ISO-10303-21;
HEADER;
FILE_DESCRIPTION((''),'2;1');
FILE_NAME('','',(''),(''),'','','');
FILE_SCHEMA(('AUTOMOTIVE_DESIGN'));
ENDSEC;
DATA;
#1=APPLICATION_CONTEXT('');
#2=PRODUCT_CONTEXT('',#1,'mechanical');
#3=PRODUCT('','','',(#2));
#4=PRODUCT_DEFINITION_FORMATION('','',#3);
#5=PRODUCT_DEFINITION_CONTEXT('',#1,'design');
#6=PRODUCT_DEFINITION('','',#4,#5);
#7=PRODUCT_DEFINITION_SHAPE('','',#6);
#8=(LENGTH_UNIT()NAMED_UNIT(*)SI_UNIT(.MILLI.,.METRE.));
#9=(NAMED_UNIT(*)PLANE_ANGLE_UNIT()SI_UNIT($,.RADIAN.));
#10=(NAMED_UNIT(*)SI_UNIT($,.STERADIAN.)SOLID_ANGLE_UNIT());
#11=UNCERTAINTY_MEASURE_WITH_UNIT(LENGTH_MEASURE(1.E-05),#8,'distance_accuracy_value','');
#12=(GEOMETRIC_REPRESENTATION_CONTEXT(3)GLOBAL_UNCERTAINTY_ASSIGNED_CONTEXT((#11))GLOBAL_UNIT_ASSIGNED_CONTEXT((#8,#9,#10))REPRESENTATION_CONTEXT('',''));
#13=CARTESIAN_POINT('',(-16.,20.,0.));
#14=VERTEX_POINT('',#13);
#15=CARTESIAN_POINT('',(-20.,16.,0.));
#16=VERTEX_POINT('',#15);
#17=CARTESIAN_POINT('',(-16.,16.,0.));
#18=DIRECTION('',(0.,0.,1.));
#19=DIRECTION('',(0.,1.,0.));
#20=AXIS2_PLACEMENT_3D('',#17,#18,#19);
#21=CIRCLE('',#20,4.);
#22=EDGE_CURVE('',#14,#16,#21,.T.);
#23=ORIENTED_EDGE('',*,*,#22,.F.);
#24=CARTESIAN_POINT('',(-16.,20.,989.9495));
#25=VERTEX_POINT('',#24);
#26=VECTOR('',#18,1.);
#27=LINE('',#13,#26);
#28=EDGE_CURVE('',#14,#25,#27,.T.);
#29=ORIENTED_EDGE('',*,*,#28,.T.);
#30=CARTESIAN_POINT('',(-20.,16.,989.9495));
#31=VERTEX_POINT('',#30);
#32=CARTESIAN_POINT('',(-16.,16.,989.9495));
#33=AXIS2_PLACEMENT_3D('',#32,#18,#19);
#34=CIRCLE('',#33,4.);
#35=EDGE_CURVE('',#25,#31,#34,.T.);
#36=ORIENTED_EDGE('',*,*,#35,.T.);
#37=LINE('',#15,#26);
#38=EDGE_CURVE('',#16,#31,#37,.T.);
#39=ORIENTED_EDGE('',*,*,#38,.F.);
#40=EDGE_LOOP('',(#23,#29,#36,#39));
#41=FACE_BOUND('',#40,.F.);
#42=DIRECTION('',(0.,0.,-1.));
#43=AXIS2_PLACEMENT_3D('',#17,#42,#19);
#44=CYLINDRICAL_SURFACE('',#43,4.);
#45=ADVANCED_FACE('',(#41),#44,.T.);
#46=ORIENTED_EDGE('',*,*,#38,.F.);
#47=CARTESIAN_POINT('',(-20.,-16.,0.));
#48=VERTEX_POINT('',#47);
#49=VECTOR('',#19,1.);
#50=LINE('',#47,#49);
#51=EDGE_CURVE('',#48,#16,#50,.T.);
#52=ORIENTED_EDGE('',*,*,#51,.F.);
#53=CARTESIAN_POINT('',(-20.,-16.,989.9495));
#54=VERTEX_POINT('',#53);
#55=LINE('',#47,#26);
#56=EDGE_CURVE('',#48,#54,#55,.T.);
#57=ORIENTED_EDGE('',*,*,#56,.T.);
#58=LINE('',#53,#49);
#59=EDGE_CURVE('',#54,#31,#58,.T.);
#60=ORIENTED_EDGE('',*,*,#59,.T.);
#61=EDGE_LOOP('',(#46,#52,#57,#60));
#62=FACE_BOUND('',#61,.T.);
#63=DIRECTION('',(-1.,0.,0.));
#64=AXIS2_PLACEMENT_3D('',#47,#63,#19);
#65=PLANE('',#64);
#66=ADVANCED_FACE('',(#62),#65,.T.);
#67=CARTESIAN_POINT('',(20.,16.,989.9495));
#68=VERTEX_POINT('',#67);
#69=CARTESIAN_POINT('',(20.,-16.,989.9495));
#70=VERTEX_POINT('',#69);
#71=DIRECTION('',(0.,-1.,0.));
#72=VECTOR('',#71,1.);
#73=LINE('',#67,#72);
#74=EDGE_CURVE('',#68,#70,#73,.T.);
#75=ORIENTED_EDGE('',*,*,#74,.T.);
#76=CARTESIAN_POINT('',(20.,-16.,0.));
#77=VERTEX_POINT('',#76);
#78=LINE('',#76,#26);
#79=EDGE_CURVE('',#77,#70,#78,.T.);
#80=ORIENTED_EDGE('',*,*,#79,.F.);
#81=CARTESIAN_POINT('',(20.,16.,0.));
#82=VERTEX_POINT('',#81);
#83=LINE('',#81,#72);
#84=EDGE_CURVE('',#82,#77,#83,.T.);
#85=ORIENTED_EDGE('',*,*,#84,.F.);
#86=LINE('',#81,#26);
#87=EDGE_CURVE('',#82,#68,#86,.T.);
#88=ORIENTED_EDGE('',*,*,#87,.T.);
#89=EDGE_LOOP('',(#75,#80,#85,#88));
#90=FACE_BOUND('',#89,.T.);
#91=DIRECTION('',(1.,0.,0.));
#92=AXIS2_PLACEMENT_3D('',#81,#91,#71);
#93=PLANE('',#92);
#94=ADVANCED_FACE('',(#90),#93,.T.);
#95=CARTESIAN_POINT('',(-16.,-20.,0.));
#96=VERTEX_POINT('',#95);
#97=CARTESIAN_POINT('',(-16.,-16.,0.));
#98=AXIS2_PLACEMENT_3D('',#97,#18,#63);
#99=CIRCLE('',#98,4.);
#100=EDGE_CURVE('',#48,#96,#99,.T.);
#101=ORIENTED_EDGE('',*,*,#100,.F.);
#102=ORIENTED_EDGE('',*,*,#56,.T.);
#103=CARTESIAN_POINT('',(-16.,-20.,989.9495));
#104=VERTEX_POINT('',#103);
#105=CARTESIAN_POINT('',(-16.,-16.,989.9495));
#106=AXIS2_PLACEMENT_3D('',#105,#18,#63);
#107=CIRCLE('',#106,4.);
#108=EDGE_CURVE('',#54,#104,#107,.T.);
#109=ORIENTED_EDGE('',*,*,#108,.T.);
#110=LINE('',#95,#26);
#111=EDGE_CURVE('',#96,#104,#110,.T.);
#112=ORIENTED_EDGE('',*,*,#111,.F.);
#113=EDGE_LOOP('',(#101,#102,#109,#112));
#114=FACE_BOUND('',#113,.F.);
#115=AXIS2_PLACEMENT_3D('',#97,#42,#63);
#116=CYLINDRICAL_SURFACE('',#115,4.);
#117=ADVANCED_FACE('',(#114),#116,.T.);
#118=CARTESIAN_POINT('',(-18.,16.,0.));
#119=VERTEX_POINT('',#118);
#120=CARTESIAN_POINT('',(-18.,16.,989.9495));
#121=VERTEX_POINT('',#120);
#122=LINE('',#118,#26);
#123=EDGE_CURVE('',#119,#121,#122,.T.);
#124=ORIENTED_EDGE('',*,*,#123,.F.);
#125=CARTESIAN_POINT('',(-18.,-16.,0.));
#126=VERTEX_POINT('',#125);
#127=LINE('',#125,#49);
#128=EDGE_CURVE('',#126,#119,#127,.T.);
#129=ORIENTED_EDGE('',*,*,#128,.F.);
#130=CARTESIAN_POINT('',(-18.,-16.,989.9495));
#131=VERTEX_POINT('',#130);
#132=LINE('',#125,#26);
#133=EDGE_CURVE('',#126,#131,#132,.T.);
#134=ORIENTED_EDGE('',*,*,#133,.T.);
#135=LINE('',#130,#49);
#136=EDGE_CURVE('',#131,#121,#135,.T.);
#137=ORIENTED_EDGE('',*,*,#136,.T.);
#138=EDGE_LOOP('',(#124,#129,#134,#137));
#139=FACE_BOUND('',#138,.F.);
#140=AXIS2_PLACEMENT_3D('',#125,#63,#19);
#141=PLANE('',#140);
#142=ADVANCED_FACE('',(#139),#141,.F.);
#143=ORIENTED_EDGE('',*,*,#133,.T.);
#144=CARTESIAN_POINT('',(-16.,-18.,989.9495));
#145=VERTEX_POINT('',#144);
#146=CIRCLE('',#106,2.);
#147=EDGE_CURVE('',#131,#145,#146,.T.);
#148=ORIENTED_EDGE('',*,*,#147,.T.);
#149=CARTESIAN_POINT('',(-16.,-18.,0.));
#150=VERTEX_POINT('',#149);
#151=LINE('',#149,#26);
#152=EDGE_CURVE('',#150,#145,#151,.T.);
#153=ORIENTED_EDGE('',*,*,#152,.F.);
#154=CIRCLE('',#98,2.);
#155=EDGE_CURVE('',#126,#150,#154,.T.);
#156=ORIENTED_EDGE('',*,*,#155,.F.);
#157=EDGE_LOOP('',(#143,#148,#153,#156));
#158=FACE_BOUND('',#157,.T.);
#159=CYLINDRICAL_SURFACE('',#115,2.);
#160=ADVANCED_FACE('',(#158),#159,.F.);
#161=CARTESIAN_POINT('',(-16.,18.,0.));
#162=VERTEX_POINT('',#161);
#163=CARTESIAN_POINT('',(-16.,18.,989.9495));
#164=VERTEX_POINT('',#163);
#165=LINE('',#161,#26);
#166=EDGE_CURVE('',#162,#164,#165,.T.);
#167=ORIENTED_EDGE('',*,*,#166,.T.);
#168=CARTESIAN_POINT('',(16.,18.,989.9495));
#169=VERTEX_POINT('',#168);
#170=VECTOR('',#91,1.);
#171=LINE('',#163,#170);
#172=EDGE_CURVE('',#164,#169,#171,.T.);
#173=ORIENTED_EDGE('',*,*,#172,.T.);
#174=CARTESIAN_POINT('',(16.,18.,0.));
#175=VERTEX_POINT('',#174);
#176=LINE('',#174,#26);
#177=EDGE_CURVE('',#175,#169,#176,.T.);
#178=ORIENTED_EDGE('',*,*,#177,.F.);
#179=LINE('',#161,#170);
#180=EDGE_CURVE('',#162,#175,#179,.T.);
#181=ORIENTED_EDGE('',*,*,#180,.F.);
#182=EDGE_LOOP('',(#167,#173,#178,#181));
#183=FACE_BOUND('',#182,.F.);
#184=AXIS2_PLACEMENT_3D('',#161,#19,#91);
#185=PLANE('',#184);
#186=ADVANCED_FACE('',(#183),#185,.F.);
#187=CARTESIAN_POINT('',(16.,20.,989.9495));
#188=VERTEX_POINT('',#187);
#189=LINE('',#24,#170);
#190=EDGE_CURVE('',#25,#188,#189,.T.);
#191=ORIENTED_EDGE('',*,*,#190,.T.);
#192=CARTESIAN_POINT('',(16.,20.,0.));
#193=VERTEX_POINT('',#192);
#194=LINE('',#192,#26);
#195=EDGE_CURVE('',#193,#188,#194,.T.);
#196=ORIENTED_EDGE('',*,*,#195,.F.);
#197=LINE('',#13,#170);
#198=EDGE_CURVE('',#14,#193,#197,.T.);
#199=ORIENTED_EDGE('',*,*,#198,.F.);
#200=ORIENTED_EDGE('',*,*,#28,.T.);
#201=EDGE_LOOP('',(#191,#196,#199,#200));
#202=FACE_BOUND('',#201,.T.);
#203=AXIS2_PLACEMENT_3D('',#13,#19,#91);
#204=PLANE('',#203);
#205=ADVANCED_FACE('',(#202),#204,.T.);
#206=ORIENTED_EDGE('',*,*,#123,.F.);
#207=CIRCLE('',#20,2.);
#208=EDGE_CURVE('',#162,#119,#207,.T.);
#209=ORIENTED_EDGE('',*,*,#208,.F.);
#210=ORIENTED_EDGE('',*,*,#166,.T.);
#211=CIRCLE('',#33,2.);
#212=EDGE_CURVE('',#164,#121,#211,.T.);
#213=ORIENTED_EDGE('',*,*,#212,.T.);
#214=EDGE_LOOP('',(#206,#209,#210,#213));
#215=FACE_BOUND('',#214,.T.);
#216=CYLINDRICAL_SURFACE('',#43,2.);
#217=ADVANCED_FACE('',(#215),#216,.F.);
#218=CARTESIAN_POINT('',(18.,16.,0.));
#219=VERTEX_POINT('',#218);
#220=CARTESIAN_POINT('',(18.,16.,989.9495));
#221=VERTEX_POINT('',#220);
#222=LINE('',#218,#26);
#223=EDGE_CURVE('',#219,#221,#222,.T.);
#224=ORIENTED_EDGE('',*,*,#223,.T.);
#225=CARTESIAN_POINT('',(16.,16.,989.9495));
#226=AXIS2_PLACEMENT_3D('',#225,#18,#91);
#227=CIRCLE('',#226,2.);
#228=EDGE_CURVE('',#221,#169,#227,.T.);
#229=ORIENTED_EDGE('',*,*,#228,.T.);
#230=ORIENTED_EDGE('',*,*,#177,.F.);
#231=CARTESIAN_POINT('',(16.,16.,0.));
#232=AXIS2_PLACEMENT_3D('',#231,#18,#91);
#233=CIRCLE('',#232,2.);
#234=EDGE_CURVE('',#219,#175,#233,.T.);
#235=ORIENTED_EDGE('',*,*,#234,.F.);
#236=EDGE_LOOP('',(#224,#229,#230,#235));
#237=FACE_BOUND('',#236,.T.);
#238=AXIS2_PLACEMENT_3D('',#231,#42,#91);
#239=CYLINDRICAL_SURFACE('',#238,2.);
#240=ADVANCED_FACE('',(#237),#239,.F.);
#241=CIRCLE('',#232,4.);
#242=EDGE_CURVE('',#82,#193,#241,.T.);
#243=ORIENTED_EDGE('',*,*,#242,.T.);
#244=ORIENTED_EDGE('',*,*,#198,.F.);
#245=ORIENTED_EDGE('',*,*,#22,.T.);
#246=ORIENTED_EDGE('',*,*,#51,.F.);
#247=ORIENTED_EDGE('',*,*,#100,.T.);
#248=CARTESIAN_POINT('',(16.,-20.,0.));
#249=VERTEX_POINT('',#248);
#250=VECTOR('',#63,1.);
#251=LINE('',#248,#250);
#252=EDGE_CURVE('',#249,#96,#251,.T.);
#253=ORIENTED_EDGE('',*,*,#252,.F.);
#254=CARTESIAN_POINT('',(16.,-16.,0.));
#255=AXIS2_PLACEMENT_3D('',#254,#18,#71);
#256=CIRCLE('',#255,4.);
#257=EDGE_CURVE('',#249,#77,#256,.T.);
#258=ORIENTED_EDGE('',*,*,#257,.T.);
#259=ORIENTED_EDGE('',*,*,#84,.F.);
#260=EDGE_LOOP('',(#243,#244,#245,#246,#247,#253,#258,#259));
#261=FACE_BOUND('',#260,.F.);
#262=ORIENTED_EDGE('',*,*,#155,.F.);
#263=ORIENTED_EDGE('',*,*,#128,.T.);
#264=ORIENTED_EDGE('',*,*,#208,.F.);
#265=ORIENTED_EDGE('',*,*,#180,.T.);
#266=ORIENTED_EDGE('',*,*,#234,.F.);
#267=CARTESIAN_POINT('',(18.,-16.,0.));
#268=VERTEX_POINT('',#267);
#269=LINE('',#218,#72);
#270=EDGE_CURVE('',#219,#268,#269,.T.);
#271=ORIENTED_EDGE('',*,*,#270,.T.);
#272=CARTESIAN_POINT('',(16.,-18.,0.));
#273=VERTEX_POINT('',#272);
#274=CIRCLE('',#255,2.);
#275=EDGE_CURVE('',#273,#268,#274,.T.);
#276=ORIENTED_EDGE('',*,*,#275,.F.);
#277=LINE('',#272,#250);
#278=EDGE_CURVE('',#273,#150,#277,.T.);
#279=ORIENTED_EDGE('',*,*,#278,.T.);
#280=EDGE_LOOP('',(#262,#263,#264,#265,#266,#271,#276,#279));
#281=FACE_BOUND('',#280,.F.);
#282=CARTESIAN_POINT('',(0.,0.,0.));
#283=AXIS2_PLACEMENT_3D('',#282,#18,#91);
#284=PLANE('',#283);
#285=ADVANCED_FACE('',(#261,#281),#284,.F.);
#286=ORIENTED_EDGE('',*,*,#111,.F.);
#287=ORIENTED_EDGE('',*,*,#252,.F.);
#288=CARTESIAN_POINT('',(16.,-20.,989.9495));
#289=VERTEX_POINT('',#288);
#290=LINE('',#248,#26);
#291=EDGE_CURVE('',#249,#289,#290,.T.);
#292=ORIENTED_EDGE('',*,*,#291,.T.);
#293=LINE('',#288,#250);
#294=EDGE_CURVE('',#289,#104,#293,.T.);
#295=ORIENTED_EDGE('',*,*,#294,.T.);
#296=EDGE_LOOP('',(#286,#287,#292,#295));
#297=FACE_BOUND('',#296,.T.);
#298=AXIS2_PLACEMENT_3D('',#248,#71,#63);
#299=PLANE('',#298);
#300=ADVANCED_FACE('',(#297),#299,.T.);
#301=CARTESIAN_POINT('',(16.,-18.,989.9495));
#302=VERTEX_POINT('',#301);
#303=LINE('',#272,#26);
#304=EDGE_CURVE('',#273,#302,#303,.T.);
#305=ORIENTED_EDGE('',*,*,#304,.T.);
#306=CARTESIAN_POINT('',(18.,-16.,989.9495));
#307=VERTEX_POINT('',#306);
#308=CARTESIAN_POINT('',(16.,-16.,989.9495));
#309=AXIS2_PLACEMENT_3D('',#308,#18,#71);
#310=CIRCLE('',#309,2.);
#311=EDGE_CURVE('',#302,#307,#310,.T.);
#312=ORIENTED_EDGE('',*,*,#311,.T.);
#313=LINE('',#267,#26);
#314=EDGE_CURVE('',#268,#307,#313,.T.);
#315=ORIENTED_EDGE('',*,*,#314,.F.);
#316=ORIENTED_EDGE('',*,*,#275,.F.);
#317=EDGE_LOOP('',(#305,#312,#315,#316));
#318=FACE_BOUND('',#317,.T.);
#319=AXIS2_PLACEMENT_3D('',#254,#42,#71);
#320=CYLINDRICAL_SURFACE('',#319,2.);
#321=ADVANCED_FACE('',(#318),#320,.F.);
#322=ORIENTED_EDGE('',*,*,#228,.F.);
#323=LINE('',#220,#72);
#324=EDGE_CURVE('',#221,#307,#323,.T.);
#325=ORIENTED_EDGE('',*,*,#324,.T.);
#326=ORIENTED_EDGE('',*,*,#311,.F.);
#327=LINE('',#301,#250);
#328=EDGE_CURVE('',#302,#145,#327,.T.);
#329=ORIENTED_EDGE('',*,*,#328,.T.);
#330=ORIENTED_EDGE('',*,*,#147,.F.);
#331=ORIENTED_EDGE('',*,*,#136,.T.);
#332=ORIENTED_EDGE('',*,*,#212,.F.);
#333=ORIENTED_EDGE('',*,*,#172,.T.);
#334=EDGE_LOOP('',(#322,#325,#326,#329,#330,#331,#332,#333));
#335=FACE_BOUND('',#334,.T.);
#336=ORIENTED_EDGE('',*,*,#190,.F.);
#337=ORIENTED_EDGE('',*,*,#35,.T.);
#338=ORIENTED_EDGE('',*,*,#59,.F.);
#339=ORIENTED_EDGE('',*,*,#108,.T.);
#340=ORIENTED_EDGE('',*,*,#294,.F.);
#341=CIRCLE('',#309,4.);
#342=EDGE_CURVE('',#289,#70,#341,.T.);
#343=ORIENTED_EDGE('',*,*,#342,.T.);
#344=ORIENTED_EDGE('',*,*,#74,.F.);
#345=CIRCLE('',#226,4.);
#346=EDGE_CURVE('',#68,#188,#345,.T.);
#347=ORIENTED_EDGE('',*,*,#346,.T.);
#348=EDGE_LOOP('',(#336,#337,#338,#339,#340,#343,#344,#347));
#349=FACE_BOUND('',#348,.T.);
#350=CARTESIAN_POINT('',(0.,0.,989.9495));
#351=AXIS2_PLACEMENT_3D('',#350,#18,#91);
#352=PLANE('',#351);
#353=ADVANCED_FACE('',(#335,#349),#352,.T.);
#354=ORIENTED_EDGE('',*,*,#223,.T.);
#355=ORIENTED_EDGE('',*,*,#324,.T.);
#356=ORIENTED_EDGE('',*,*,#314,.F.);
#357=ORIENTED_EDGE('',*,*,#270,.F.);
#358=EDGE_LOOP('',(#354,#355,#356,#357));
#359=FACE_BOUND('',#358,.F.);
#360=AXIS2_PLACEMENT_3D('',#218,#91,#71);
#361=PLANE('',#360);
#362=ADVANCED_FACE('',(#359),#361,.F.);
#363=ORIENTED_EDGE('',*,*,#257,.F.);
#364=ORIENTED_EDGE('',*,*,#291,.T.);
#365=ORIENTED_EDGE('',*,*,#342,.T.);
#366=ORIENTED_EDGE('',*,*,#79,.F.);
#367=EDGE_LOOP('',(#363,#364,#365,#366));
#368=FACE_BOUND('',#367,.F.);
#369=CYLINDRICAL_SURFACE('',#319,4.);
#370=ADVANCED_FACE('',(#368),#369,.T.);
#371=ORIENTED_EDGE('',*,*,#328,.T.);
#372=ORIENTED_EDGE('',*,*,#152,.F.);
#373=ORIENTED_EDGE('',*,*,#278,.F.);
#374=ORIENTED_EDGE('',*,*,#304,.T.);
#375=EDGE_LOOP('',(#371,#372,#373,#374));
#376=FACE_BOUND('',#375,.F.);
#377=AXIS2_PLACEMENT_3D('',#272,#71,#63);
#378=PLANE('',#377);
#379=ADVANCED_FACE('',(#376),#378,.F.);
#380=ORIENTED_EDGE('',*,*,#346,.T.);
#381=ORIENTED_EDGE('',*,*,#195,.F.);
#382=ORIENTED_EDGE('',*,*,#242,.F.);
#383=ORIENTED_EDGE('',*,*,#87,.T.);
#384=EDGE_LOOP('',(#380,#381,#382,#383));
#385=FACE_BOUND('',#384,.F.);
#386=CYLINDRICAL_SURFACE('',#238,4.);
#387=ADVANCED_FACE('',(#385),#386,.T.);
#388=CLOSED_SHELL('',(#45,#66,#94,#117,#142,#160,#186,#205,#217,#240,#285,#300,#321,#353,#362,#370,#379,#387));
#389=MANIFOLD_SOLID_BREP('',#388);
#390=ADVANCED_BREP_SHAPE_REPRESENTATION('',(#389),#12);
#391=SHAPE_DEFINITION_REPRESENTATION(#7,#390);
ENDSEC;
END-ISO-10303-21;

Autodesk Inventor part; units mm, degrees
ref_plane "YZ Plane" through (0, 0, 0) normal (1, 0, 0) x (0, 1, 0)
ref_plane "Start Plane" through (0, 0, 0) normal (0, 0, 1) x (1, 0, 0)
ref_plane "End Plane" through (0, 0, 989.9495) normal (0, 0, 1) x (1, 0, 0)
sketch "Sketch" plane through (0, 0, 0) normal (0, 0, 1) x (1, 0, 0)
  line L0 (-20, -16) -> (-20, 16)
  line L1 (-16, 20) -> (16, 20)
  line L2 (20, 16) -> (20, -16)
  line L3 (16, -20) -> (-16, -20)
  arc A0 (-20, -16) -> (-16, -20) centre (-16, -16) ccw
  arc A1 (20, 16) -> (16, 20) centre (16, 16) ccw
  arc A2 (-16, 20) -> (-20, 16) centre (-16, 16) ccw
  arc A3 (16, -20) -> (20, -16) centre (16, -16) ccw
  arc A4 (-16, 18) -> (-18, 16) centre (-16, 16) ccw
  line L4 (-16, 18) -> (16, 18)
  arc A5 (18, 16) -> (16, 18) centre (16, 16) ccw
  line L5 (18, 16) -> (18, -16)
  arc A6 (16, -18) -> (18, -16) centre (16, -16) ccw
  line L6 (16, -18) -> (-16, -18)
  arc A7 (-18, -16) -> (-16, -18) centre (-16, -16) ccw
  line L7 (-18, -16) -> (-18, 16)
  line L8 (0, 29.1598) -> (0, -29.1598) construction
  line L9 (-29.1598, 0) -> (29.1598, 0) construction
  dimension "d7" = 4
  dimension "d9" = 40
  dimension "d11" = 40
  dimension "d12" = 2
  dimension "d15" = 20
  dimension "d16" = 20
extrude "Body" add sketch "Sketch" along normal up to surface (989.9495 mm away) from surface at 0
sketch "Sketch3" plane through (0, 0, 0) normal (0, 0, 1) x (1, 0, 0)
  line L0 (0, 0) -> (10, 0)
ref_plane "Work Plane3" through (0, 0, 0) normal (0, -1, 0) x (1, 0, 0)
sketch "Sketch4" plane through (0, 0, 0) normal (0, -1, 0) x (1, 0, 0)
  line L0 (-2, 0) -> (12, 0) projected
  line L1 (-2, 989.9495) -> (12, 989.9495) projected
  dimension "d18" = 989.9495
equation "\"d7\" = G_IR"
equation "\"d9\" = G_W"
equation "\"d11\" = G_H"
equation "\"d12\" = G_T"
equation "\"d15\" = 0.5 * d9"
equation "\"d16\" = 0.5 * d11"
equation "\"d3\" = G_L"
equation "\"G_W\" = 40"
equation "\"G_H\" = 40"
equation "\"G_T\" = 2"
equation "\"G_IR\" = 4"
equation "\"G_L\" = d18"
equation "\"G_OFFSET_START\" = 0"
equation "\"G_OFFSET_END\" = 0"
equation "\"d14\" = G_OFFSET_END + B_L"
equation "\"B_L\" = 989.94949"
properties part number "ISO 4019 - 40x40x2 - 989,95" material "Steel, Mild"
